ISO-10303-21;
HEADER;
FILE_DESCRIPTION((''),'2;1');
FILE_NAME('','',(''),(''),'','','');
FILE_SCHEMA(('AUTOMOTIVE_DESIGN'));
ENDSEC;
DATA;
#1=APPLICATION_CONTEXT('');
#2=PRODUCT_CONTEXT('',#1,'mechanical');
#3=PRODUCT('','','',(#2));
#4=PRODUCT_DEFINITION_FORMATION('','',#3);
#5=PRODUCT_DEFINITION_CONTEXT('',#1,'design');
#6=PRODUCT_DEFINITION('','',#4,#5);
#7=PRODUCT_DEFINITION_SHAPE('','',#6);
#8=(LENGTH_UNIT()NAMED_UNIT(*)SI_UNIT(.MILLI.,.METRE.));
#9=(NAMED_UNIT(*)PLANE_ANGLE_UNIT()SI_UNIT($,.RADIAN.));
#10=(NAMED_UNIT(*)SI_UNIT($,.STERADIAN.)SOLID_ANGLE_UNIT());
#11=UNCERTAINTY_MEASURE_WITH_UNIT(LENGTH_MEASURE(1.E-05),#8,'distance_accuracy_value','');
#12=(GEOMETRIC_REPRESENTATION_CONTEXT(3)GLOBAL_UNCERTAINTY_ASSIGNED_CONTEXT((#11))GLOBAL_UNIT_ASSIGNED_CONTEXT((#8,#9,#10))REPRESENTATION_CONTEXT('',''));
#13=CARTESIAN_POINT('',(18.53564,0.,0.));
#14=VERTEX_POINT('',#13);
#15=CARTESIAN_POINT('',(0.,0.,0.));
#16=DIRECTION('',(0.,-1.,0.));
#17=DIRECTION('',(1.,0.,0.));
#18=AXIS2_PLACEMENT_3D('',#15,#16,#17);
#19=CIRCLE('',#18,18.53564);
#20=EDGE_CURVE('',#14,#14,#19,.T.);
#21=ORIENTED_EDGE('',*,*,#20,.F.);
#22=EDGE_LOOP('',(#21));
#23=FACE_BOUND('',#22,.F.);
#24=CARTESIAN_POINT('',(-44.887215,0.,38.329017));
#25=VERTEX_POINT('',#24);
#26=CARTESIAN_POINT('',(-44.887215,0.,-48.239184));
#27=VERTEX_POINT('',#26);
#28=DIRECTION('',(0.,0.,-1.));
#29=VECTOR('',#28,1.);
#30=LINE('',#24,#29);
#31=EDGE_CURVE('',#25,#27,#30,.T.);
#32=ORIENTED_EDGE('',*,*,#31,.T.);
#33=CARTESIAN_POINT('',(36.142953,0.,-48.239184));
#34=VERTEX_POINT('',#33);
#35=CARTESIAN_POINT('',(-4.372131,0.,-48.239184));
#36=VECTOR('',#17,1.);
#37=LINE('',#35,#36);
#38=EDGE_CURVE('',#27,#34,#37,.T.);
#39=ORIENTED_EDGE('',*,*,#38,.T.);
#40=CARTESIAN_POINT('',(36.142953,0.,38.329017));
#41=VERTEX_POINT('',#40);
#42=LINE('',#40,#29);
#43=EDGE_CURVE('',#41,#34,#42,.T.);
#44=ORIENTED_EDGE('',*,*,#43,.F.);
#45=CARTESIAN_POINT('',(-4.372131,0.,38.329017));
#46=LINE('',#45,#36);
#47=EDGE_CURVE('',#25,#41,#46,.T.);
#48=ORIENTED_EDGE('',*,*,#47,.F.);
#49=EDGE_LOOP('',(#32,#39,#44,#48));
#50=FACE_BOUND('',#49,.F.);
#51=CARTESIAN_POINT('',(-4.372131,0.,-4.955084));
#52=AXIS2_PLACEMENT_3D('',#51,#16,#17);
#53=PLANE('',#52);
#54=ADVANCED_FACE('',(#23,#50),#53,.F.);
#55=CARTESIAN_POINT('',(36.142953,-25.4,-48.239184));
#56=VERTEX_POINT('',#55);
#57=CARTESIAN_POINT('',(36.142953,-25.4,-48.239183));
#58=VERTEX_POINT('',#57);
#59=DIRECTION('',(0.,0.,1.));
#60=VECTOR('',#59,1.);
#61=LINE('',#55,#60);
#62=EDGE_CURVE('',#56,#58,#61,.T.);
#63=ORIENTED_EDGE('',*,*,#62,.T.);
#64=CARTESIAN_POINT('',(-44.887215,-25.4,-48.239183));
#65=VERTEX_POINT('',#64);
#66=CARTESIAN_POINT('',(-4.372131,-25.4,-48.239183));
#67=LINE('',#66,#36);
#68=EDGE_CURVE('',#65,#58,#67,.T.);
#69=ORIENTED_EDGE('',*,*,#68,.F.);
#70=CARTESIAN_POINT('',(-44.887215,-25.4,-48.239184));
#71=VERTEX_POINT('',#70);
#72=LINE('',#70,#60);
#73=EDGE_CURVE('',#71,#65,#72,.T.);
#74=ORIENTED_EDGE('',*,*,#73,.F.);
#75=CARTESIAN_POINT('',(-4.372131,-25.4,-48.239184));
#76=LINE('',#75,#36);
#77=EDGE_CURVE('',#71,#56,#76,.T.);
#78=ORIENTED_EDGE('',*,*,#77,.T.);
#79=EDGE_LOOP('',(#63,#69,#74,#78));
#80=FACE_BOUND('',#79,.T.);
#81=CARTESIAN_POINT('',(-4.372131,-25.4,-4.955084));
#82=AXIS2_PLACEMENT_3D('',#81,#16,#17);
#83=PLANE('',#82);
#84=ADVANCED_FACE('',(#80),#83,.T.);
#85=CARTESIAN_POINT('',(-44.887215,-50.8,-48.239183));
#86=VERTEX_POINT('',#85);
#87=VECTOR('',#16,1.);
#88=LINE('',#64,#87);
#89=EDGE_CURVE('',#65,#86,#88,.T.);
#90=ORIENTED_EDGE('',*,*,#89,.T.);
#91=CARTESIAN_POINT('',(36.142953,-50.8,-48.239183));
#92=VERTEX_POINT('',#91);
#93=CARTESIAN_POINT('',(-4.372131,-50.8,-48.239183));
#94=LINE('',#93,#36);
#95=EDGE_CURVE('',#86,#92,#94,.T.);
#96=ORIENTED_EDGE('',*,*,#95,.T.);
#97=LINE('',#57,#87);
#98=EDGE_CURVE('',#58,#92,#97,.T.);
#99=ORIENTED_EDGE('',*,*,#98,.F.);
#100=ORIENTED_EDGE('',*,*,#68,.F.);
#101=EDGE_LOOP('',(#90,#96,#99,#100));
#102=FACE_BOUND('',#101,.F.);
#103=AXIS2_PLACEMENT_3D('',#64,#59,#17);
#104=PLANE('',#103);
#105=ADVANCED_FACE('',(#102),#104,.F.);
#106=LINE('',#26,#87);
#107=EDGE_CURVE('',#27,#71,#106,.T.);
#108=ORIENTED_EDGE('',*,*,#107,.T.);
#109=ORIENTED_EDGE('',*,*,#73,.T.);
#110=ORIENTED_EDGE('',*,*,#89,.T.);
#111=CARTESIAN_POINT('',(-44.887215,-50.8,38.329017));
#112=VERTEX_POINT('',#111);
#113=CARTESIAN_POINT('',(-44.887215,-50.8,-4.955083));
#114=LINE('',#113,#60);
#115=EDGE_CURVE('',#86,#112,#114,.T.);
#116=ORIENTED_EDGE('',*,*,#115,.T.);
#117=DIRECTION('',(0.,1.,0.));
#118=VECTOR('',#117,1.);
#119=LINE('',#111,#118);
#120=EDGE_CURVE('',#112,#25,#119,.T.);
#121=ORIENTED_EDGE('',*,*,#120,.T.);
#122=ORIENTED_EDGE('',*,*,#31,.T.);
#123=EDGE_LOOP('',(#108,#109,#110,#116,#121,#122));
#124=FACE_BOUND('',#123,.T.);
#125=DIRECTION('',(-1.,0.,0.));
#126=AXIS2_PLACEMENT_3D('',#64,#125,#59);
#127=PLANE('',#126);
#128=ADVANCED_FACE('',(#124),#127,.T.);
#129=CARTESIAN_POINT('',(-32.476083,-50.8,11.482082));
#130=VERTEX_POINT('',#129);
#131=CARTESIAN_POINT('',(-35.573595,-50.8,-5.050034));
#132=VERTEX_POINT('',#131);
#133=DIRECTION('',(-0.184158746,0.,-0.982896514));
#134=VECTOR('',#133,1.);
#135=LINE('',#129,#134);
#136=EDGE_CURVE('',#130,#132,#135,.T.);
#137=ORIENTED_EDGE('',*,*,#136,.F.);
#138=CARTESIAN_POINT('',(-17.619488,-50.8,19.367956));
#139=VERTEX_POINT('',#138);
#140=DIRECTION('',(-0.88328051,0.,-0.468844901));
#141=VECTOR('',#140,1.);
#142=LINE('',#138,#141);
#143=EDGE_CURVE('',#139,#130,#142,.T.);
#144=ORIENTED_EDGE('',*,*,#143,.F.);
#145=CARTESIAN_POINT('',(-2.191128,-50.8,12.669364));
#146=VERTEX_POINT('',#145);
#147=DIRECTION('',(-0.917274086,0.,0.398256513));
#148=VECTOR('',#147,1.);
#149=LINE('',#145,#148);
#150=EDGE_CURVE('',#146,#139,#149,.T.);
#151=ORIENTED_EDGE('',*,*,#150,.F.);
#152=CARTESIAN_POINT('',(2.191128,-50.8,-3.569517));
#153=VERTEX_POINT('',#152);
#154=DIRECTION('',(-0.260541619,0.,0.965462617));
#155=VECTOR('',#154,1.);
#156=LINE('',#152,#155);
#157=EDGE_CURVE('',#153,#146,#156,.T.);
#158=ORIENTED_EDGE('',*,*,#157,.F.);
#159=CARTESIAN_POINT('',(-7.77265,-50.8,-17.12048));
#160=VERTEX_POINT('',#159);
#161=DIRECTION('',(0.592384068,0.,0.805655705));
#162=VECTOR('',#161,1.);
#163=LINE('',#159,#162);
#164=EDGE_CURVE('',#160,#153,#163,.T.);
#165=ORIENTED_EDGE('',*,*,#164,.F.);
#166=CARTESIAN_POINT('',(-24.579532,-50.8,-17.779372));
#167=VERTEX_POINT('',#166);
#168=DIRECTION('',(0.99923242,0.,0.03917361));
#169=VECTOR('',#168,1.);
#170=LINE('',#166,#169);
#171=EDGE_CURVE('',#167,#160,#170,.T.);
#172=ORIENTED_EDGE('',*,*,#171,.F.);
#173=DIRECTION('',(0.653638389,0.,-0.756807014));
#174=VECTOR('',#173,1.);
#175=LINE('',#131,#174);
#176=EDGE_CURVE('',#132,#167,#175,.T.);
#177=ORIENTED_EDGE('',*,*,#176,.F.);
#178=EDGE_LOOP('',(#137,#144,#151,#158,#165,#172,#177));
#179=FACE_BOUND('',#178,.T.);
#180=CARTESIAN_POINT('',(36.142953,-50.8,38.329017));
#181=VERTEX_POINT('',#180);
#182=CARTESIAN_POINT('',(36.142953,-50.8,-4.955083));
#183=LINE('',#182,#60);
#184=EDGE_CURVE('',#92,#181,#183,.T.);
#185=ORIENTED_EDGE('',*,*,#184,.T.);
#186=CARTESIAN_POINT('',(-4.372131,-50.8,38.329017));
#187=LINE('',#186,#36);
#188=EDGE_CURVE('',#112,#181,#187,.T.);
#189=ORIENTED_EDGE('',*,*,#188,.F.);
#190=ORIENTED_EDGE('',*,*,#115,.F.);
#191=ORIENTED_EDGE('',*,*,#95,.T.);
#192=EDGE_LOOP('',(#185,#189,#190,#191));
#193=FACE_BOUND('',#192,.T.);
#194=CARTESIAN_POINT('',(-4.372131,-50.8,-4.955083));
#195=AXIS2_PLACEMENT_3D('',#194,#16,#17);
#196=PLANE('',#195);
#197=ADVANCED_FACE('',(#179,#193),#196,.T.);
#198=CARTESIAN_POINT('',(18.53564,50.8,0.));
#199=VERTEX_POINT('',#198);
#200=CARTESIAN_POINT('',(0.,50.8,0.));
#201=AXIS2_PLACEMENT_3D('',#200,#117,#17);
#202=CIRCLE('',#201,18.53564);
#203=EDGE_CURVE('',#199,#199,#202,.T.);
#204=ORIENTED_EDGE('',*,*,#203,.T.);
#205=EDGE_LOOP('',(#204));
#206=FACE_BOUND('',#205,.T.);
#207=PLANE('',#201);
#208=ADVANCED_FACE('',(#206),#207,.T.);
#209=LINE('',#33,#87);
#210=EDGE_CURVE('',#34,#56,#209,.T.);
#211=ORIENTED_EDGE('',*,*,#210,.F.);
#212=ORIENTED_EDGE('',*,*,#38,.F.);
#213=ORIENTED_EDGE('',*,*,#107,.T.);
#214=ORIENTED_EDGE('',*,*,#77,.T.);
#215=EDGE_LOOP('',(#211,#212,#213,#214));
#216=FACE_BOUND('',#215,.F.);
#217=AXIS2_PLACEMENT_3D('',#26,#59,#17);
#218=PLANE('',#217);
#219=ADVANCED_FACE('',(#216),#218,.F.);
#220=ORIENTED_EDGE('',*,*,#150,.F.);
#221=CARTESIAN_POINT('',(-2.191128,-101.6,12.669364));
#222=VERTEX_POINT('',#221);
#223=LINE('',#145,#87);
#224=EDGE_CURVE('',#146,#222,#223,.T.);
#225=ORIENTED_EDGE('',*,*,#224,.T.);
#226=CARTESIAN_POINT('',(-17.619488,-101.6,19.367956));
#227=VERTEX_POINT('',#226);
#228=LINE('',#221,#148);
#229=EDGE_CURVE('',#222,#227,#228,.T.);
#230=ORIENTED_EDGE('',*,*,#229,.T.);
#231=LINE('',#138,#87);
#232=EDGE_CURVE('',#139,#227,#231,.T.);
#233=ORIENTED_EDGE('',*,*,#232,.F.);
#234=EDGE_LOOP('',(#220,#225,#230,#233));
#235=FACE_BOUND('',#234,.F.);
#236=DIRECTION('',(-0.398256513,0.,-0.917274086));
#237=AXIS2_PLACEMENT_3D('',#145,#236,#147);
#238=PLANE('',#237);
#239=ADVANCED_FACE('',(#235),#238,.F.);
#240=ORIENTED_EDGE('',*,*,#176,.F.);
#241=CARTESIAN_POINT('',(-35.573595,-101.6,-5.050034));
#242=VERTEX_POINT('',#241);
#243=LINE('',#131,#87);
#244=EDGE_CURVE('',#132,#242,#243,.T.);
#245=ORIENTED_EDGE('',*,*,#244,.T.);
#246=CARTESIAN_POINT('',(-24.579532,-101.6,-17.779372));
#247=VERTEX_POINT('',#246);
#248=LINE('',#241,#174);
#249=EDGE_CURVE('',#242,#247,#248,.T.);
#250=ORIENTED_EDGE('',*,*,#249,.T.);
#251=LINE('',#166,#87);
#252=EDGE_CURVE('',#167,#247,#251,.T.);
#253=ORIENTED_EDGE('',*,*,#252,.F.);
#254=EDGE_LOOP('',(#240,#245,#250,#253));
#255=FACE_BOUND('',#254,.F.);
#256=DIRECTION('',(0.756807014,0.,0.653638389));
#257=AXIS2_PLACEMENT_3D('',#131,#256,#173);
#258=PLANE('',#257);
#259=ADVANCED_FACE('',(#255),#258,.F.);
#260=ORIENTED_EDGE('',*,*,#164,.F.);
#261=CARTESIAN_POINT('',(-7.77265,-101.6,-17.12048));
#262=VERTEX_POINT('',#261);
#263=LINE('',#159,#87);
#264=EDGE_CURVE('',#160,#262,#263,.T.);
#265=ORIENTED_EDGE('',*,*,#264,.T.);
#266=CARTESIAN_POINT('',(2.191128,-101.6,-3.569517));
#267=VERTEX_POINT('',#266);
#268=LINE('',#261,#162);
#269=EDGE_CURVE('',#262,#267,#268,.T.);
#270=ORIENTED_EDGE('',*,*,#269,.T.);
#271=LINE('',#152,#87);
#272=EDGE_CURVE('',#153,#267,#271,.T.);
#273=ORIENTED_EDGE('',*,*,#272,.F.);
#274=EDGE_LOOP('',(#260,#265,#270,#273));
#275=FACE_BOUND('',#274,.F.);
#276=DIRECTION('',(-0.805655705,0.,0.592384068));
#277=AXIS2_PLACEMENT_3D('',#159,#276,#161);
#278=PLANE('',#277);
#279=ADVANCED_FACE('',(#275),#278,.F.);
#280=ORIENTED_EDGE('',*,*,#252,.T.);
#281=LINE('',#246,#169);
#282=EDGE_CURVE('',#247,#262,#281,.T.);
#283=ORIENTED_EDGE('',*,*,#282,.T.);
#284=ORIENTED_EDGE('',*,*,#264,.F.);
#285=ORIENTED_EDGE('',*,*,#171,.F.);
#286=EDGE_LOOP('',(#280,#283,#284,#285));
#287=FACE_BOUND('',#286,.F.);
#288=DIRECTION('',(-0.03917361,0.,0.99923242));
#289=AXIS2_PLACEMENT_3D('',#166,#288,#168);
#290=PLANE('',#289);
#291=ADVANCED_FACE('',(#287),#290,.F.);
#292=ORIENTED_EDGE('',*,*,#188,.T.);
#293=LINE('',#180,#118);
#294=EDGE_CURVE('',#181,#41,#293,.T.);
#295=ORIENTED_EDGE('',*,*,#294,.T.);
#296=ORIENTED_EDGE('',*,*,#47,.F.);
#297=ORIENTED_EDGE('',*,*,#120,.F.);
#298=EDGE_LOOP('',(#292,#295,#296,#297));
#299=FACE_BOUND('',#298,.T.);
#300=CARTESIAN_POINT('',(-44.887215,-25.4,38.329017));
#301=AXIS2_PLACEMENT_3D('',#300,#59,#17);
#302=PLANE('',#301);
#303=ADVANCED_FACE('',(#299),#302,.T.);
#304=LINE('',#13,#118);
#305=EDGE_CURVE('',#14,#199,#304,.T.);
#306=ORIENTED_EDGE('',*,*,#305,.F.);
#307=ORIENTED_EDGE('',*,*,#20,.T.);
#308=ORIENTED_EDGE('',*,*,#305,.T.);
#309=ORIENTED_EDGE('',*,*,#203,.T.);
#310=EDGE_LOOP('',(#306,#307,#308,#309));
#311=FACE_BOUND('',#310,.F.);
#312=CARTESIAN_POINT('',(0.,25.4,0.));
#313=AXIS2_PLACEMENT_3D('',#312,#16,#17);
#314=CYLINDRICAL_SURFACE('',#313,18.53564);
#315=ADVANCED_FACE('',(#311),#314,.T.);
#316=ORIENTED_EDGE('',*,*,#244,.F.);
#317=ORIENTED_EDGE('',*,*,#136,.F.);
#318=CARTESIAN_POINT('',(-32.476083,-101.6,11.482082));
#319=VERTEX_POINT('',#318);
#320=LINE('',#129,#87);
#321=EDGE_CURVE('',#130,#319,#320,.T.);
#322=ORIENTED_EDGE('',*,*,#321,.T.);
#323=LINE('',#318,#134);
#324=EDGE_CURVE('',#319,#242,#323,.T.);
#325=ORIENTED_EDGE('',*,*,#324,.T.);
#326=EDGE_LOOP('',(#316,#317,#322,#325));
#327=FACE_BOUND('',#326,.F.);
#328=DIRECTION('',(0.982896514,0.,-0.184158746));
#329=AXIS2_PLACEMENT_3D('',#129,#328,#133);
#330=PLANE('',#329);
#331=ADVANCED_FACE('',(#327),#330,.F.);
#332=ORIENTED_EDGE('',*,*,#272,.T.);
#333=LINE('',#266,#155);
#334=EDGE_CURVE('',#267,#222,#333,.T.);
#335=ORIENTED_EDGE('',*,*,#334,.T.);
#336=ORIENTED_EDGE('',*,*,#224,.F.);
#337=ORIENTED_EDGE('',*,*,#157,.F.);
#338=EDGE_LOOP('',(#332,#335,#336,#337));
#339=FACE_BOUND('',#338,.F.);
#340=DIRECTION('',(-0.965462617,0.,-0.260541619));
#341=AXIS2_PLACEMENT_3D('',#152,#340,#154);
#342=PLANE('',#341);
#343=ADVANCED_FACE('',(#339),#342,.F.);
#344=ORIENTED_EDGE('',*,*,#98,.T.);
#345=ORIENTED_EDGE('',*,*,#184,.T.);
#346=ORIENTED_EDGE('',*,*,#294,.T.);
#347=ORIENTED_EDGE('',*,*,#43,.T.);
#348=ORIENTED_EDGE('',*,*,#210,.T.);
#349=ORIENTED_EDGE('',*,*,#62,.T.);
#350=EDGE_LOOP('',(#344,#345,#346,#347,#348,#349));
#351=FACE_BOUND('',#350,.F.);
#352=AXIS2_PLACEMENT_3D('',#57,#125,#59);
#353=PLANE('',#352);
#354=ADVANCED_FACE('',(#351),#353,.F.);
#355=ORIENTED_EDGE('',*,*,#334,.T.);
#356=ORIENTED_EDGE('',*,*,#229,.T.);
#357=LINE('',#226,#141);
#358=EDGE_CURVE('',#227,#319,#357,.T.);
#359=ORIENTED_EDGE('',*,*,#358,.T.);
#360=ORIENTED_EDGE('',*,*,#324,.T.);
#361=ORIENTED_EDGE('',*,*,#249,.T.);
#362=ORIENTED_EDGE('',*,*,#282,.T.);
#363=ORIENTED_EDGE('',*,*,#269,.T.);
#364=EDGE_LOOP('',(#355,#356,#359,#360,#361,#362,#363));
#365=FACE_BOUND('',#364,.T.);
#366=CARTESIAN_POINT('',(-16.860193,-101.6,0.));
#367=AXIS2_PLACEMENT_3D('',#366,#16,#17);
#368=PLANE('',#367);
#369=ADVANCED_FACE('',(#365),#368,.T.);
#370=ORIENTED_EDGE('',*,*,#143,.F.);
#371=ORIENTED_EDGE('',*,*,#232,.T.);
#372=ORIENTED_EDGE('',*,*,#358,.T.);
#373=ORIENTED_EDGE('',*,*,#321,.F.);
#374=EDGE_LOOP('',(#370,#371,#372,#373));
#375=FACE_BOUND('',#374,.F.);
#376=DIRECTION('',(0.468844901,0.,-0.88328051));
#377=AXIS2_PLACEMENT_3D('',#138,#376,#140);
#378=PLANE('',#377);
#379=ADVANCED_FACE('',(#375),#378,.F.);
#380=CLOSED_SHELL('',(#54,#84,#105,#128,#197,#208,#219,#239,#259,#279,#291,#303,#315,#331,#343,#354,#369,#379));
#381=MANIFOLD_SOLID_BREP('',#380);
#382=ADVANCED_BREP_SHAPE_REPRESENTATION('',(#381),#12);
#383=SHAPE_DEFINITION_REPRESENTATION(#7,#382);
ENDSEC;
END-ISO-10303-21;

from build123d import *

# Parameters (mm, degrees)
F0_W      = 81.030168
F0_H      = 86.568199
F1_DEPTH  = 25.4
F2_R      = 18.53564
F1_FACE_W = 81.030168
F1_FACE_H = 86.5682
F3_DEPTH  = 25.4
F3_FACE_R = 18.53564
F4_DEPTH  = 25.4
F5_DEPTH  = 25.4
F7_DEPTH  = 50.8


with BuildPart() as f1:
    # F0 (on Front) → F1 (new body)
    with BuildSketch(Plane.XZ):
        with Locations((-4.372131, -4.955084)):
            Rectangle(F0_W, F0_H)
    extrude(amount=F1_DEPTH)

    # F2 (on Front) + F1_face (on face) → F3 (join)
    with BuildSketch(Plane.XZ):
        Circle(F2_R)
    with BuildSketch(Plane(origin=(-4.372131, -25.4, -4.955083), x_dir=(1, 0, 0), z_dir=(0, -1, 0))):
        Rectangle(F1_FACE_W, F1_FACE_H)
    extrude(amount=-F3_DEPTH)

    # F3_face (on face) → F4 (join)
    with BuildSketch(Plane(origin=(0, 25.4, 0), x_dir=(1, 0, 0), z_dir=(0, 1, 0))):
        Circle(F3_FACE_R)
    extrude(amount=F4_DEPTH)

    # F1_face (on face) → F5 (join)
    with BuildSketch(Plane(origin=(-4.372131, -25.4, -4.955083), x_dir=(1, 0, 0), z_dir=(0, -1, 0))):
        Rectangle(F1_FACE_W, F1_FACE_H)
    extrude(amount=F5_DEPTH)

    # F6 (on face) → F7 (join)
    with BuildSketch(Plane.XZ.offset(50.8)):
        Polygon((2.191128, -3.569517), (-2.191128, 12.669364), (-17.619488, 19.367956), (-32.476083, 11.482082), (-35.573595, -5.050034), (-24.579532, -17.779372), (-7.77265, -17.12048), align=None)
    extrude(amount=F7_DEPTH)


solid = f1.part
